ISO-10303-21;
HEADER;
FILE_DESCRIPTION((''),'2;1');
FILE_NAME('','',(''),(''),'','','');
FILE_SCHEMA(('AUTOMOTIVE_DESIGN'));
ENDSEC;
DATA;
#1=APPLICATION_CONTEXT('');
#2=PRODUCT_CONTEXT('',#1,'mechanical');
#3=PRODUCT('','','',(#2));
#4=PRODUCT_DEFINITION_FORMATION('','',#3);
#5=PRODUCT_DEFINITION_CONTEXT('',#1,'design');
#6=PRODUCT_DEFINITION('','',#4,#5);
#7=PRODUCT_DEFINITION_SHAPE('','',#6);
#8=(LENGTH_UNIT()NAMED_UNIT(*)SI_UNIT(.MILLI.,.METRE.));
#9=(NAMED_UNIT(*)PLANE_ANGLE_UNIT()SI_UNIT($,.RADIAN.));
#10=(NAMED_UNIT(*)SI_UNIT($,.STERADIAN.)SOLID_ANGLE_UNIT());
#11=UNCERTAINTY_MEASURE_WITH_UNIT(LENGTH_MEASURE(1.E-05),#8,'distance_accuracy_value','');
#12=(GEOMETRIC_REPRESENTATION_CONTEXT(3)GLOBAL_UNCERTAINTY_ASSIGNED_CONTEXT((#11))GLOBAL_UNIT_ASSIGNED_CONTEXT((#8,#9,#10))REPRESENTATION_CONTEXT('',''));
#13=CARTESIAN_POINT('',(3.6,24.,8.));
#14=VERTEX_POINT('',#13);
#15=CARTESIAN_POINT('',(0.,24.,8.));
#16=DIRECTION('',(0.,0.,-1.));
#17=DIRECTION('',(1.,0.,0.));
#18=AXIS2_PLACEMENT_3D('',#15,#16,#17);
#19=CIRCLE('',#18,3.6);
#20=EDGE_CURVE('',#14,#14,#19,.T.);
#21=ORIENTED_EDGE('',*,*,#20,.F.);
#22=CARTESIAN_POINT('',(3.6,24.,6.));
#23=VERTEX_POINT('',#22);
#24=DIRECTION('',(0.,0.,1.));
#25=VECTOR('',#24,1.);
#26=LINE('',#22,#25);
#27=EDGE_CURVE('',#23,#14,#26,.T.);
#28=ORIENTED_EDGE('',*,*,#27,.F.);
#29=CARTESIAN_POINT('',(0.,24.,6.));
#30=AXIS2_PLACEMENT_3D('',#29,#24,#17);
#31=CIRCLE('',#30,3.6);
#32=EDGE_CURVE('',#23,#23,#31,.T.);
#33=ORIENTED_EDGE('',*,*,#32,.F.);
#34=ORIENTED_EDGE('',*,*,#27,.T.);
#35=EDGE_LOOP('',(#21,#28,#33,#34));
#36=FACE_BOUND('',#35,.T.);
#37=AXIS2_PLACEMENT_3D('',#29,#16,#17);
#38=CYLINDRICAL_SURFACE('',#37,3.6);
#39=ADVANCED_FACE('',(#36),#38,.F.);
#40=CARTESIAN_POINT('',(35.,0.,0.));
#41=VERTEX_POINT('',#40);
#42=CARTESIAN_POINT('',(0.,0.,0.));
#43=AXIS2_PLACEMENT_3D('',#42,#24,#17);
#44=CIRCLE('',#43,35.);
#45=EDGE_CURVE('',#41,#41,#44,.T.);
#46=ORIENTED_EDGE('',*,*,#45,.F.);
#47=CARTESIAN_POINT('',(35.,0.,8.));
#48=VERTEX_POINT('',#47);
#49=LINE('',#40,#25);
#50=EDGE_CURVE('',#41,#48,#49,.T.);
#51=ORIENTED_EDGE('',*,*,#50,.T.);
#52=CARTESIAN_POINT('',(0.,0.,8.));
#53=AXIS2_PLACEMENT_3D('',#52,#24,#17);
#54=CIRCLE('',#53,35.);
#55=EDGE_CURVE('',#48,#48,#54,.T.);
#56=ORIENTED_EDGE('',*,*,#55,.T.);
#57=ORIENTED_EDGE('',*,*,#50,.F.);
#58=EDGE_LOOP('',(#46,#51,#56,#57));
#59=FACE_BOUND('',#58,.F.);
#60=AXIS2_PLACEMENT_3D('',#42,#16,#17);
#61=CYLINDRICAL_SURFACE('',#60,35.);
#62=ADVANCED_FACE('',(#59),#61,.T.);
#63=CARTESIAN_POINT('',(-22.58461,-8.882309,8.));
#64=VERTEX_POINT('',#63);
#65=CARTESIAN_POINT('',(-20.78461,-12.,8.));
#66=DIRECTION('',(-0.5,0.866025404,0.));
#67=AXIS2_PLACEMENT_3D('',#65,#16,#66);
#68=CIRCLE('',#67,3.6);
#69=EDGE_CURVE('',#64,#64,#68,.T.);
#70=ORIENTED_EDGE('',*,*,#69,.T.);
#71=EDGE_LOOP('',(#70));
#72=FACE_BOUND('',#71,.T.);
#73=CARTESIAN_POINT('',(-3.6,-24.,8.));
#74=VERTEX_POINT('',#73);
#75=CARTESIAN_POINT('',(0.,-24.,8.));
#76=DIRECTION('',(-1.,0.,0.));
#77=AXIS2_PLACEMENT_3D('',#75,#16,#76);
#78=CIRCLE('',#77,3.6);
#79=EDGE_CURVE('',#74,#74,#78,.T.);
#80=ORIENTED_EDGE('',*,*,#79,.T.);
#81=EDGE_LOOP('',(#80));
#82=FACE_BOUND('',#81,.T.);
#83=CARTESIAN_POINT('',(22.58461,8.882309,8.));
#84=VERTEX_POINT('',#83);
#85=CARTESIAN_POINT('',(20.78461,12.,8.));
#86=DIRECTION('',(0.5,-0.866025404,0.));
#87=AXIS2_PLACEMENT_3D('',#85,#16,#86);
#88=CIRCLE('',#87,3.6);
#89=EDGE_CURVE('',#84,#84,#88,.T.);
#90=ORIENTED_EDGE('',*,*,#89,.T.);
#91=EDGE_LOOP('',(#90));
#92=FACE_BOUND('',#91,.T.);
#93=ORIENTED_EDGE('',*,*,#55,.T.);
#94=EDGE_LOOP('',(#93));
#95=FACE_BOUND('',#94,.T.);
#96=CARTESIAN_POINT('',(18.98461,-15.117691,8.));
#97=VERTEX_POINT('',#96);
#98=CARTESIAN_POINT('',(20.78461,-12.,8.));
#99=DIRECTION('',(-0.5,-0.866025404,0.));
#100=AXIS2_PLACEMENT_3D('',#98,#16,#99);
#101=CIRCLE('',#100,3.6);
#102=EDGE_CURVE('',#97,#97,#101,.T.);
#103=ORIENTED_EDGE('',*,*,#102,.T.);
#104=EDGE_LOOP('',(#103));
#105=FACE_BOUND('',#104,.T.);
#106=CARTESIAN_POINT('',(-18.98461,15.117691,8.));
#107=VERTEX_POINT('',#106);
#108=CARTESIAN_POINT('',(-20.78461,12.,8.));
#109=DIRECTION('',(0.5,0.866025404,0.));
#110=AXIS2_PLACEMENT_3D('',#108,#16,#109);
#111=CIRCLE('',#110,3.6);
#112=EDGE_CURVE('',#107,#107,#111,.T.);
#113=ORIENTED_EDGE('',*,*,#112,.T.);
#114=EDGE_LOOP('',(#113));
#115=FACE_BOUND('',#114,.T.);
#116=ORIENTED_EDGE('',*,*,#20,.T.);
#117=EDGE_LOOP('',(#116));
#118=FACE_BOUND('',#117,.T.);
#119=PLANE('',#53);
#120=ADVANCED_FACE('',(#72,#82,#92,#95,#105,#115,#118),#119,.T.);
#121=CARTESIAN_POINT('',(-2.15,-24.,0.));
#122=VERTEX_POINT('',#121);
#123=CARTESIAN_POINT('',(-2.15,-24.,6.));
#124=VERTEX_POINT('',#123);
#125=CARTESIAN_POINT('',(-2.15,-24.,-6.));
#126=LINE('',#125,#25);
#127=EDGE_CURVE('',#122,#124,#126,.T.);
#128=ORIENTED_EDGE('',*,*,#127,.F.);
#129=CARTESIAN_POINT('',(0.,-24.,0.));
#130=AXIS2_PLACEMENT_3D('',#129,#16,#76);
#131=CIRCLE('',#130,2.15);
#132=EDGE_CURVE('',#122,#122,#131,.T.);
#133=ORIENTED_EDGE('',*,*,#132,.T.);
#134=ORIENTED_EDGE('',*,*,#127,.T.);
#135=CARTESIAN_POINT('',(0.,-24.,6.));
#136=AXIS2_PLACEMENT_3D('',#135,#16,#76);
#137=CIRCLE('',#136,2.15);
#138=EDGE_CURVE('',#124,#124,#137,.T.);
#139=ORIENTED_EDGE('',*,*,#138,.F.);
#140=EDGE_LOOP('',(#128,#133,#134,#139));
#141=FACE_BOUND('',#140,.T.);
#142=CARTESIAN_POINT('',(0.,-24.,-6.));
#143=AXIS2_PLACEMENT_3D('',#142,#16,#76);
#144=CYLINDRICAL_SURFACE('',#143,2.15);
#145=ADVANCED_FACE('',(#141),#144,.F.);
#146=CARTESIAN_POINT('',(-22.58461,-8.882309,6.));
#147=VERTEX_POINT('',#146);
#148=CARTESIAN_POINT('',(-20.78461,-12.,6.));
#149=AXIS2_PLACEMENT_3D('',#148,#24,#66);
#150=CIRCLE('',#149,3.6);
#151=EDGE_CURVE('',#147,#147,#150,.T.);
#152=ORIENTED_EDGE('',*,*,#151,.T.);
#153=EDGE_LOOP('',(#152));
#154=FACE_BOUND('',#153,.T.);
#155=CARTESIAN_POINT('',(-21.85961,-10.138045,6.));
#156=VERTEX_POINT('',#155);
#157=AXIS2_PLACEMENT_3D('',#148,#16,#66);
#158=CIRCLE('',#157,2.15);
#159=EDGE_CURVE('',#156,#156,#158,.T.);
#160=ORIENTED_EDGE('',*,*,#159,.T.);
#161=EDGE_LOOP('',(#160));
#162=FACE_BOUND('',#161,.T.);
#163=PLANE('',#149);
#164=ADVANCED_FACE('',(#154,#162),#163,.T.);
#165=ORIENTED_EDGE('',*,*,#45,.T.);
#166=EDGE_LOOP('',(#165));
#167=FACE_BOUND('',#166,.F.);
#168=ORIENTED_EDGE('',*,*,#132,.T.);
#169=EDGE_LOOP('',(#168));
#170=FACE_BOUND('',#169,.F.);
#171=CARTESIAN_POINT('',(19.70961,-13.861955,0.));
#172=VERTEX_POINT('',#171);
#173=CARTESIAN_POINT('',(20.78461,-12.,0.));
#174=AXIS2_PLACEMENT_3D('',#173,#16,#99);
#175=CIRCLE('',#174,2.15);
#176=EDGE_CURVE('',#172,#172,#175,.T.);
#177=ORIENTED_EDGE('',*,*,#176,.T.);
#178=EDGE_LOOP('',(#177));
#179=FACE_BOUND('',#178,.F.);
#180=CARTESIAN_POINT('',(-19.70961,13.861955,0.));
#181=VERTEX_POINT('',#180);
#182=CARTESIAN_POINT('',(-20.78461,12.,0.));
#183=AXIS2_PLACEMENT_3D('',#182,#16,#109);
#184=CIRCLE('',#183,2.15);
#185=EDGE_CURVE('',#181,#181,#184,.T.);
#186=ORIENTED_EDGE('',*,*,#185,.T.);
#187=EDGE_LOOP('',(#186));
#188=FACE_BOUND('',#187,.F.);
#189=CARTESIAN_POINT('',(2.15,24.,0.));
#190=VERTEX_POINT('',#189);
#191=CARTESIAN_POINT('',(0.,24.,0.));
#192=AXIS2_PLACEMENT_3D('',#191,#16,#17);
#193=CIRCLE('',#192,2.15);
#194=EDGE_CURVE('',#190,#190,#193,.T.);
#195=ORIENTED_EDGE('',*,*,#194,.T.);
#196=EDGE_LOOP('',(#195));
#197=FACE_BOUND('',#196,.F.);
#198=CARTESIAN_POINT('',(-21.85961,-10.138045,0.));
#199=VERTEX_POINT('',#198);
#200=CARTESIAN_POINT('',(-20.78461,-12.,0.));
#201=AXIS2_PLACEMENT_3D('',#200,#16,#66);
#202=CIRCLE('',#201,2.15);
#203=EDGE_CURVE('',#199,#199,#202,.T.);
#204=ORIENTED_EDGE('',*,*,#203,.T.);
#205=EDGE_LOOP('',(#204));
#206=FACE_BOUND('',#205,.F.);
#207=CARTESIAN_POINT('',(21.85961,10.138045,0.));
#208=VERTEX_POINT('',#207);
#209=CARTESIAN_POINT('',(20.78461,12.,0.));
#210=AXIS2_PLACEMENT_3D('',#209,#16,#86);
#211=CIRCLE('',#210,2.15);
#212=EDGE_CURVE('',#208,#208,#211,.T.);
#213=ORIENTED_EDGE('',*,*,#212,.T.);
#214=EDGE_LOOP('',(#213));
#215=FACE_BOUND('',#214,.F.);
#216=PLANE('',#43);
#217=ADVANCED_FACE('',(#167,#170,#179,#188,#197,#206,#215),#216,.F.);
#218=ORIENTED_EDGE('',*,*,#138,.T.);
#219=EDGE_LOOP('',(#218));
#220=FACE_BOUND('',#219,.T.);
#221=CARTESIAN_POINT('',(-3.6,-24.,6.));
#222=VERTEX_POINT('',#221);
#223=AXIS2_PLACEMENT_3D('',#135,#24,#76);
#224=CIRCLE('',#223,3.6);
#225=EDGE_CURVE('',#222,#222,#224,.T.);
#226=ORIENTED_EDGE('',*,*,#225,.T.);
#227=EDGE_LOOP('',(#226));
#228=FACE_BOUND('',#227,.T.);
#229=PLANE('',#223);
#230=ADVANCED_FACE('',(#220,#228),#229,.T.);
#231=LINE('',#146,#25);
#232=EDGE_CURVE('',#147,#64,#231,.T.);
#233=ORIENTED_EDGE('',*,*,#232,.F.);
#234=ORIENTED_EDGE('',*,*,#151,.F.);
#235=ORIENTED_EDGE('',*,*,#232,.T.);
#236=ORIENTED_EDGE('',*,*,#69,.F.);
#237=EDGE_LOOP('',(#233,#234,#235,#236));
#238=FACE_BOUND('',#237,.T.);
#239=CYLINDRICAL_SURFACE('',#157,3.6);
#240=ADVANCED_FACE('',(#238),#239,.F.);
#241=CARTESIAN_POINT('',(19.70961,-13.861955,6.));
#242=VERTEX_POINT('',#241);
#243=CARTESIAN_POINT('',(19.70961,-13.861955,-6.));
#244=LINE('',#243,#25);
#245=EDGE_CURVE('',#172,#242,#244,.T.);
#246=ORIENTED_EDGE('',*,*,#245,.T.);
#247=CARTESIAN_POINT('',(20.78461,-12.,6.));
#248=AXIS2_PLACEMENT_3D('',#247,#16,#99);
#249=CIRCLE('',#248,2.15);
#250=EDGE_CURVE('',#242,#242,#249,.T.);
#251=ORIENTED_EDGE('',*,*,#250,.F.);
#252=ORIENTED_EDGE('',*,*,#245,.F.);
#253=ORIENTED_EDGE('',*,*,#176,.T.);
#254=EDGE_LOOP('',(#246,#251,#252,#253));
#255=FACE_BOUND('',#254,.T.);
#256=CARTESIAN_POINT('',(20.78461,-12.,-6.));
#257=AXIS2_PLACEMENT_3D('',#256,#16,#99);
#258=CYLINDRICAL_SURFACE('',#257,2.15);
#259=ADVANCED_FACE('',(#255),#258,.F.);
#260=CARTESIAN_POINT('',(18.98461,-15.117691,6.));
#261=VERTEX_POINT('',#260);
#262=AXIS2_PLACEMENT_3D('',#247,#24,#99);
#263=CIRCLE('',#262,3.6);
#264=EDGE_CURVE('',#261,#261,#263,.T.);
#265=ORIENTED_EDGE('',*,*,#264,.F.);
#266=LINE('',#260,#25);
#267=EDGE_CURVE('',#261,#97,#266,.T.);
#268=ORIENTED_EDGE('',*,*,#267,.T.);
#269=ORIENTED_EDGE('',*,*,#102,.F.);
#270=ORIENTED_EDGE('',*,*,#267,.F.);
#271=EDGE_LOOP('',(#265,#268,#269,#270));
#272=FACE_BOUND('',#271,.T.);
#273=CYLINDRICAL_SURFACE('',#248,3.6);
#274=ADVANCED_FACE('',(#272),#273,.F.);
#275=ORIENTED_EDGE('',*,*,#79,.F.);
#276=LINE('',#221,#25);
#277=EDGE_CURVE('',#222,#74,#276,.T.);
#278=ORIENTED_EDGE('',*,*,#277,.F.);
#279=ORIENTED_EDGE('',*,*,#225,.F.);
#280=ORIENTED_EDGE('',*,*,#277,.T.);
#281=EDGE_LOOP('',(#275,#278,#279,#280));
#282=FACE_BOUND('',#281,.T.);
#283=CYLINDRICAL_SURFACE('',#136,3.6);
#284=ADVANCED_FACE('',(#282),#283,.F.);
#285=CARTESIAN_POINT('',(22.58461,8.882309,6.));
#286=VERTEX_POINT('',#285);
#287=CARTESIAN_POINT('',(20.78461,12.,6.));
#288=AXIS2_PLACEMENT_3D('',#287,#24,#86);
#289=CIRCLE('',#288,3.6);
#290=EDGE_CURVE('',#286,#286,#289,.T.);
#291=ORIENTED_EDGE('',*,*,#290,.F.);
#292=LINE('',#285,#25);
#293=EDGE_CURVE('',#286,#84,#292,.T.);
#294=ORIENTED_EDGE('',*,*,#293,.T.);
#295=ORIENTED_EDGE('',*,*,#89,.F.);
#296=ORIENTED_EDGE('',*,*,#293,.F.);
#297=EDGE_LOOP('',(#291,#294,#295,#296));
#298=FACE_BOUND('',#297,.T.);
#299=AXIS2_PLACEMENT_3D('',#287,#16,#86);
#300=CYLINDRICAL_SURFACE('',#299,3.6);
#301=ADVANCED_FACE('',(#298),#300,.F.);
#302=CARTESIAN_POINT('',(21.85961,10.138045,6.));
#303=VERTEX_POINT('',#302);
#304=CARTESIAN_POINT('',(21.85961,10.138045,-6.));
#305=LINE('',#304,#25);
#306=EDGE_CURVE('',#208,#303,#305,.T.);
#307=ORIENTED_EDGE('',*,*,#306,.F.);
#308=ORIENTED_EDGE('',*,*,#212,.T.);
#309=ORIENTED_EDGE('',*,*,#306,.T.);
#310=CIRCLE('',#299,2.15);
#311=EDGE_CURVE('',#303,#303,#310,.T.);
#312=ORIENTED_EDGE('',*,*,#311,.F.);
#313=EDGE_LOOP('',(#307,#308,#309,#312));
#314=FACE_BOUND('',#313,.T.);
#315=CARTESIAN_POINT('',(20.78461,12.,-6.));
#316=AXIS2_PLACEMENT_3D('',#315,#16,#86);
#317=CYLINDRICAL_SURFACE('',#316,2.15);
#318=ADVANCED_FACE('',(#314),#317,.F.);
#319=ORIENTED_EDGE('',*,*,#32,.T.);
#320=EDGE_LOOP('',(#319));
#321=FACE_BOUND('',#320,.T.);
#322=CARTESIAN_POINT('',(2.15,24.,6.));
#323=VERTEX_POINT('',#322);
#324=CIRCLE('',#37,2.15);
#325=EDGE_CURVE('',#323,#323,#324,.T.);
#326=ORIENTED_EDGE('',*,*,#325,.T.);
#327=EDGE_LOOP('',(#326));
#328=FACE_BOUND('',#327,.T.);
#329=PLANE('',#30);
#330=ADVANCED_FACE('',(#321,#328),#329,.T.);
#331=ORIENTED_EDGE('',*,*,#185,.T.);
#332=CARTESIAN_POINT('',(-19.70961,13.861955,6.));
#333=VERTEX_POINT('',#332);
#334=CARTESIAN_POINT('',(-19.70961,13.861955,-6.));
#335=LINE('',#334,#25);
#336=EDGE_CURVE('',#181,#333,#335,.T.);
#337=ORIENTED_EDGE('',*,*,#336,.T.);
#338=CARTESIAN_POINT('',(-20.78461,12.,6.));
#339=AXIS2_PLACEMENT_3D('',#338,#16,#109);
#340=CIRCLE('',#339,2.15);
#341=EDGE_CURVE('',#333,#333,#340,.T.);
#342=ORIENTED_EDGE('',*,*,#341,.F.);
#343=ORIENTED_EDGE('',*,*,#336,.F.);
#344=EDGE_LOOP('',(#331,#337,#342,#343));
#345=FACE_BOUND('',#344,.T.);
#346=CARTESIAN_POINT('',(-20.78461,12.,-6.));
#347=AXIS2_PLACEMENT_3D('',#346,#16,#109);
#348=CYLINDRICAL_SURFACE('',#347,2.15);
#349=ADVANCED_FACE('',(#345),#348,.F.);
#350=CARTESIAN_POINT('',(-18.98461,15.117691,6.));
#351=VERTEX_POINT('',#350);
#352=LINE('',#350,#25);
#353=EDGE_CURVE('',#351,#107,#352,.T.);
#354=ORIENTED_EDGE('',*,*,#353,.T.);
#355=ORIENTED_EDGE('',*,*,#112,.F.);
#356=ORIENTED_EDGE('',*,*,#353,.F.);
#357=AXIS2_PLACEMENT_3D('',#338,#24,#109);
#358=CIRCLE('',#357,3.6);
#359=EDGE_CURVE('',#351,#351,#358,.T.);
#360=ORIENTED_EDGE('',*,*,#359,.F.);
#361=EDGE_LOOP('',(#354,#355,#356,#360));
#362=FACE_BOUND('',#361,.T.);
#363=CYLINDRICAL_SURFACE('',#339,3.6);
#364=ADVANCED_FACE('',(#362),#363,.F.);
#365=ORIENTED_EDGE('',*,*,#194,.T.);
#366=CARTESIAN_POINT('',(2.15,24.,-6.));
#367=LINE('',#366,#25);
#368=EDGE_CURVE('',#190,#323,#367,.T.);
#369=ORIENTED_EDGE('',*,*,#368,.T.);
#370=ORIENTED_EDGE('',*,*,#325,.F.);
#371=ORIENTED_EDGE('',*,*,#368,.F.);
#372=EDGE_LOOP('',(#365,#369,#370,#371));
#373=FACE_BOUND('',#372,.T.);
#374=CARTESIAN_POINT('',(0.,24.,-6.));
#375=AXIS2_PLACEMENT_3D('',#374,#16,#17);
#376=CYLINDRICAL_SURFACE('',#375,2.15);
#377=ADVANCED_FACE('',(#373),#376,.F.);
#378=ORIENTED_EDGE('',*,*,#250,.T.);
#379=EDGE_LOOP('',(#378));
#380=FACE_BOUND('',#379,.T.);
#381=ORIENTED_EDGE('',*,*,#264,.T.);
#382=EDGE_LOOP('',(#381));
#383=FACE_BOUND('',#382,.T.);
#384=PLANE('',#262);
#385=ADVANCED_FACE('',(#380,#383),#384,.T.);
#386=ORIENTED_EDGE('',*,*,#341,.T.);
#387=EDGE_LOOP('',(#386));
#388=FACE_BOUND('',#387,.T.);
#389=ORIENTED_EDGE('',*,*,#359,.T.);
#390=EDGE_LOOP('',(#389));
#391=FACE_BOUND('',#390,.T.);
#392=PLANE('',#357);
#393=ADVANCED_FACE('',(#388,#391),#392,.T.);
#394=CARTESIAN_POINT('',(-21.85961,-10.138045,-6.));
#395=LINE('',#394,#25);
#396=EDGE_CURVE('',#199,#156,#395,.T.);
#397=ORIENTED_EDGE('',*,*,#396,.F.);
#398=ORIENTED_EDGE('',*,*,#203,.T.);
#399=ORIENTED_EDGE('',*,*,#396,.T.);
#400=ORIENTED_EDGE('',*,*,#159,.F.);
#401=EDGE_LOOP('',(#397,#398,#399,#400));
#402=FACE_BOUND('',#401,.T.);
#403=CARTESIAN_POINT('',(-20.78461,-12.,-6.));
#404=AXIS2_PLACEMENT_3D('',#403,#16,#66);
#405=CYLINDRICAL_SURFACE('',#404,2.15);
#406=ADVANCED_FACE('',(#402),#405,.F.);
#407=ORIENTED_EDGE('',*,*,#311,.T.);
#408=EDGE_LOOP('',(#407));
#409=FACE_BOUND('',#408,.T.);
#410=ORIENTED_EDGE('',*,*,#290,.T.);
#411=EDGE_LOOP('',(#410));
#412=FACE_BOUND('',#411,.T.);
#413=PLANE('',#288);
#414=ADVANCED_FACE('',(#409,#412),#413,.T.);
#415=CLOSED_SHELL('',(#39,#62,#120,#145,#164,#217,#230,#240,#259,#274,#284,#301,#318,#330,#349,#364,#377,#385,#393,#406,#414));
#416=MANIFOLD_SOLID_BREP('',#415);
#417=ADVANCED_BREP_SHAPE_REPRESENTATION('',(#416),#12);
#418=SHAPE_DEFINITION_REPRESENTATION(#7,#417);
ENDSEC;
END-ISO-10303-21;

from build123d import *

# Parameters (mm, degrees)
CYLINDER014005857_R             = 2.15
CYLINDER014005857_DEPTH         = 16
CYLINDER014005858_R             = 3.6
CYLINDER014005858_DEPTH         = 4
FUSION001089095_PLACEMENT_ANGLE = 60
FUSION001089096_PLACEMENT_ANGLE = 120
FUSION001089097_PLACEMENT_ANGLE = 180
FUSION001089098_PLACEMENT_ANGLE = 240
FUSION001089099_PLACEMENT_ANGLE = 60
CYLINDER014005856_R             = 35
CYLINDER014005856_DEPTH         = 8


with BuildPart() as v_lec769:
    # Cylinder014005857 → Cylinder014005857 (new body)
    with BuildSketch(Plane(origin=(0, 24, -6), x_dir=(1, 0, 0), z_dir=(0, 0, 1))):
        Circle(CYLINDER014005857_R)
    extrude(amount=CYLINDER014005857_DEPTH)


with BuildPart() as imbus006:
    # Cylinder014005858 → Cylinder014005858 (new body)
    with BuildSketch(Plane(origin=(0, 24, 6), x_dir=(1, 0, 0), z_dir=(0, 0, 1))):
        Circle(CYLINDER014005858_R)
    extrude(amount=CYLINDER014005858_DEPTH)

    # Fusion001089094: union Válec769
    add(v_lec769.part)


with BuildPart() as imbus007:
    # Fusion001089095 base: copy of Imbus006
    add(imbus006.part)


with BuildPart() as imbus007_1:
    # Fusion001089095 placement: moved
    add(imbus007.part.rotate(Axis((0, 0, 0), (0, 0, 1)), FUSION001089095_PLACEMENT_ANGLE))


with BuildPart() as imbus008:
    # Fusion001089096 base: copy of Imbus006
    add(imbus006.part)


with BuildPart() as imbus008_1:
    # Fusion001089096 placement: moved
    add(imbus008.part.rotate(Axis((0, 0, 0), (0, 0, 1)), FUSION001089096_PLACEMENT_ANGLE))


with BuildPart() as imbus009:
    # Fusion001089097 base: copy of Imbus006
    add(imbus006.part)


with BuildPart() as imbus009_1:
    # Fusion001089097 placement: moved
    add(imbus009.part.rotate(Axis((0, 0, 0), (0, 0, 1)), FUSION001089097_PLACEMENT_ANGLE))


with BuildPart() as imbus010:
    # Fusion001089098 base: copy of Imbus006
    add(imbus006.part)


with BuildPart() as imbus010_1:
    # Fusion001089098 placement: moved
    add(imbus010.part.rotate(Axis((0, 0, 0), (0, 0, 1)), FUSION001089098_PLACEMENT_ANGLE))


with BuildPart() as imbus011:
    # Fusion001089099 base: copy of Imbus006
    add(imbus006.part)


with BuildPart() as imbus011_1:
    # Fusion001089099 placement: moved
    add(imbus011.part.rotate(Axis((0, 0, 0), (0, 0, -1)), FUSION001089099_PLACEMENT_ANGLE))


with BuildPart() as fusion001089100:
    # Fusion001089100 base: copy of Imbus006
    add(imbus006.part)

    # Fusion001089100: union Imbus007, Imbus008, Imbus009, Imbus010, Imbus011
    add(imbus007_1.part)
    add(imbus008_1.part)
    add(imbus009_1.part)
    add(imbus010_1.part)
    add(imbus011_1.part)


with BuildPart() as old:
    # Cylinder014005856 → Cylinder014005856 (new body)
    with BuildSketch(Plane.XY):
        Circle(CYLINDER014005856_R)
    extrude(amount=CYLINDER014005856_DEPTH)

    # Cut009003003008: cut Fusion001089100
    add(fusion001089100.part, mode=Mode.SUBTRACT)


solid = old.part
